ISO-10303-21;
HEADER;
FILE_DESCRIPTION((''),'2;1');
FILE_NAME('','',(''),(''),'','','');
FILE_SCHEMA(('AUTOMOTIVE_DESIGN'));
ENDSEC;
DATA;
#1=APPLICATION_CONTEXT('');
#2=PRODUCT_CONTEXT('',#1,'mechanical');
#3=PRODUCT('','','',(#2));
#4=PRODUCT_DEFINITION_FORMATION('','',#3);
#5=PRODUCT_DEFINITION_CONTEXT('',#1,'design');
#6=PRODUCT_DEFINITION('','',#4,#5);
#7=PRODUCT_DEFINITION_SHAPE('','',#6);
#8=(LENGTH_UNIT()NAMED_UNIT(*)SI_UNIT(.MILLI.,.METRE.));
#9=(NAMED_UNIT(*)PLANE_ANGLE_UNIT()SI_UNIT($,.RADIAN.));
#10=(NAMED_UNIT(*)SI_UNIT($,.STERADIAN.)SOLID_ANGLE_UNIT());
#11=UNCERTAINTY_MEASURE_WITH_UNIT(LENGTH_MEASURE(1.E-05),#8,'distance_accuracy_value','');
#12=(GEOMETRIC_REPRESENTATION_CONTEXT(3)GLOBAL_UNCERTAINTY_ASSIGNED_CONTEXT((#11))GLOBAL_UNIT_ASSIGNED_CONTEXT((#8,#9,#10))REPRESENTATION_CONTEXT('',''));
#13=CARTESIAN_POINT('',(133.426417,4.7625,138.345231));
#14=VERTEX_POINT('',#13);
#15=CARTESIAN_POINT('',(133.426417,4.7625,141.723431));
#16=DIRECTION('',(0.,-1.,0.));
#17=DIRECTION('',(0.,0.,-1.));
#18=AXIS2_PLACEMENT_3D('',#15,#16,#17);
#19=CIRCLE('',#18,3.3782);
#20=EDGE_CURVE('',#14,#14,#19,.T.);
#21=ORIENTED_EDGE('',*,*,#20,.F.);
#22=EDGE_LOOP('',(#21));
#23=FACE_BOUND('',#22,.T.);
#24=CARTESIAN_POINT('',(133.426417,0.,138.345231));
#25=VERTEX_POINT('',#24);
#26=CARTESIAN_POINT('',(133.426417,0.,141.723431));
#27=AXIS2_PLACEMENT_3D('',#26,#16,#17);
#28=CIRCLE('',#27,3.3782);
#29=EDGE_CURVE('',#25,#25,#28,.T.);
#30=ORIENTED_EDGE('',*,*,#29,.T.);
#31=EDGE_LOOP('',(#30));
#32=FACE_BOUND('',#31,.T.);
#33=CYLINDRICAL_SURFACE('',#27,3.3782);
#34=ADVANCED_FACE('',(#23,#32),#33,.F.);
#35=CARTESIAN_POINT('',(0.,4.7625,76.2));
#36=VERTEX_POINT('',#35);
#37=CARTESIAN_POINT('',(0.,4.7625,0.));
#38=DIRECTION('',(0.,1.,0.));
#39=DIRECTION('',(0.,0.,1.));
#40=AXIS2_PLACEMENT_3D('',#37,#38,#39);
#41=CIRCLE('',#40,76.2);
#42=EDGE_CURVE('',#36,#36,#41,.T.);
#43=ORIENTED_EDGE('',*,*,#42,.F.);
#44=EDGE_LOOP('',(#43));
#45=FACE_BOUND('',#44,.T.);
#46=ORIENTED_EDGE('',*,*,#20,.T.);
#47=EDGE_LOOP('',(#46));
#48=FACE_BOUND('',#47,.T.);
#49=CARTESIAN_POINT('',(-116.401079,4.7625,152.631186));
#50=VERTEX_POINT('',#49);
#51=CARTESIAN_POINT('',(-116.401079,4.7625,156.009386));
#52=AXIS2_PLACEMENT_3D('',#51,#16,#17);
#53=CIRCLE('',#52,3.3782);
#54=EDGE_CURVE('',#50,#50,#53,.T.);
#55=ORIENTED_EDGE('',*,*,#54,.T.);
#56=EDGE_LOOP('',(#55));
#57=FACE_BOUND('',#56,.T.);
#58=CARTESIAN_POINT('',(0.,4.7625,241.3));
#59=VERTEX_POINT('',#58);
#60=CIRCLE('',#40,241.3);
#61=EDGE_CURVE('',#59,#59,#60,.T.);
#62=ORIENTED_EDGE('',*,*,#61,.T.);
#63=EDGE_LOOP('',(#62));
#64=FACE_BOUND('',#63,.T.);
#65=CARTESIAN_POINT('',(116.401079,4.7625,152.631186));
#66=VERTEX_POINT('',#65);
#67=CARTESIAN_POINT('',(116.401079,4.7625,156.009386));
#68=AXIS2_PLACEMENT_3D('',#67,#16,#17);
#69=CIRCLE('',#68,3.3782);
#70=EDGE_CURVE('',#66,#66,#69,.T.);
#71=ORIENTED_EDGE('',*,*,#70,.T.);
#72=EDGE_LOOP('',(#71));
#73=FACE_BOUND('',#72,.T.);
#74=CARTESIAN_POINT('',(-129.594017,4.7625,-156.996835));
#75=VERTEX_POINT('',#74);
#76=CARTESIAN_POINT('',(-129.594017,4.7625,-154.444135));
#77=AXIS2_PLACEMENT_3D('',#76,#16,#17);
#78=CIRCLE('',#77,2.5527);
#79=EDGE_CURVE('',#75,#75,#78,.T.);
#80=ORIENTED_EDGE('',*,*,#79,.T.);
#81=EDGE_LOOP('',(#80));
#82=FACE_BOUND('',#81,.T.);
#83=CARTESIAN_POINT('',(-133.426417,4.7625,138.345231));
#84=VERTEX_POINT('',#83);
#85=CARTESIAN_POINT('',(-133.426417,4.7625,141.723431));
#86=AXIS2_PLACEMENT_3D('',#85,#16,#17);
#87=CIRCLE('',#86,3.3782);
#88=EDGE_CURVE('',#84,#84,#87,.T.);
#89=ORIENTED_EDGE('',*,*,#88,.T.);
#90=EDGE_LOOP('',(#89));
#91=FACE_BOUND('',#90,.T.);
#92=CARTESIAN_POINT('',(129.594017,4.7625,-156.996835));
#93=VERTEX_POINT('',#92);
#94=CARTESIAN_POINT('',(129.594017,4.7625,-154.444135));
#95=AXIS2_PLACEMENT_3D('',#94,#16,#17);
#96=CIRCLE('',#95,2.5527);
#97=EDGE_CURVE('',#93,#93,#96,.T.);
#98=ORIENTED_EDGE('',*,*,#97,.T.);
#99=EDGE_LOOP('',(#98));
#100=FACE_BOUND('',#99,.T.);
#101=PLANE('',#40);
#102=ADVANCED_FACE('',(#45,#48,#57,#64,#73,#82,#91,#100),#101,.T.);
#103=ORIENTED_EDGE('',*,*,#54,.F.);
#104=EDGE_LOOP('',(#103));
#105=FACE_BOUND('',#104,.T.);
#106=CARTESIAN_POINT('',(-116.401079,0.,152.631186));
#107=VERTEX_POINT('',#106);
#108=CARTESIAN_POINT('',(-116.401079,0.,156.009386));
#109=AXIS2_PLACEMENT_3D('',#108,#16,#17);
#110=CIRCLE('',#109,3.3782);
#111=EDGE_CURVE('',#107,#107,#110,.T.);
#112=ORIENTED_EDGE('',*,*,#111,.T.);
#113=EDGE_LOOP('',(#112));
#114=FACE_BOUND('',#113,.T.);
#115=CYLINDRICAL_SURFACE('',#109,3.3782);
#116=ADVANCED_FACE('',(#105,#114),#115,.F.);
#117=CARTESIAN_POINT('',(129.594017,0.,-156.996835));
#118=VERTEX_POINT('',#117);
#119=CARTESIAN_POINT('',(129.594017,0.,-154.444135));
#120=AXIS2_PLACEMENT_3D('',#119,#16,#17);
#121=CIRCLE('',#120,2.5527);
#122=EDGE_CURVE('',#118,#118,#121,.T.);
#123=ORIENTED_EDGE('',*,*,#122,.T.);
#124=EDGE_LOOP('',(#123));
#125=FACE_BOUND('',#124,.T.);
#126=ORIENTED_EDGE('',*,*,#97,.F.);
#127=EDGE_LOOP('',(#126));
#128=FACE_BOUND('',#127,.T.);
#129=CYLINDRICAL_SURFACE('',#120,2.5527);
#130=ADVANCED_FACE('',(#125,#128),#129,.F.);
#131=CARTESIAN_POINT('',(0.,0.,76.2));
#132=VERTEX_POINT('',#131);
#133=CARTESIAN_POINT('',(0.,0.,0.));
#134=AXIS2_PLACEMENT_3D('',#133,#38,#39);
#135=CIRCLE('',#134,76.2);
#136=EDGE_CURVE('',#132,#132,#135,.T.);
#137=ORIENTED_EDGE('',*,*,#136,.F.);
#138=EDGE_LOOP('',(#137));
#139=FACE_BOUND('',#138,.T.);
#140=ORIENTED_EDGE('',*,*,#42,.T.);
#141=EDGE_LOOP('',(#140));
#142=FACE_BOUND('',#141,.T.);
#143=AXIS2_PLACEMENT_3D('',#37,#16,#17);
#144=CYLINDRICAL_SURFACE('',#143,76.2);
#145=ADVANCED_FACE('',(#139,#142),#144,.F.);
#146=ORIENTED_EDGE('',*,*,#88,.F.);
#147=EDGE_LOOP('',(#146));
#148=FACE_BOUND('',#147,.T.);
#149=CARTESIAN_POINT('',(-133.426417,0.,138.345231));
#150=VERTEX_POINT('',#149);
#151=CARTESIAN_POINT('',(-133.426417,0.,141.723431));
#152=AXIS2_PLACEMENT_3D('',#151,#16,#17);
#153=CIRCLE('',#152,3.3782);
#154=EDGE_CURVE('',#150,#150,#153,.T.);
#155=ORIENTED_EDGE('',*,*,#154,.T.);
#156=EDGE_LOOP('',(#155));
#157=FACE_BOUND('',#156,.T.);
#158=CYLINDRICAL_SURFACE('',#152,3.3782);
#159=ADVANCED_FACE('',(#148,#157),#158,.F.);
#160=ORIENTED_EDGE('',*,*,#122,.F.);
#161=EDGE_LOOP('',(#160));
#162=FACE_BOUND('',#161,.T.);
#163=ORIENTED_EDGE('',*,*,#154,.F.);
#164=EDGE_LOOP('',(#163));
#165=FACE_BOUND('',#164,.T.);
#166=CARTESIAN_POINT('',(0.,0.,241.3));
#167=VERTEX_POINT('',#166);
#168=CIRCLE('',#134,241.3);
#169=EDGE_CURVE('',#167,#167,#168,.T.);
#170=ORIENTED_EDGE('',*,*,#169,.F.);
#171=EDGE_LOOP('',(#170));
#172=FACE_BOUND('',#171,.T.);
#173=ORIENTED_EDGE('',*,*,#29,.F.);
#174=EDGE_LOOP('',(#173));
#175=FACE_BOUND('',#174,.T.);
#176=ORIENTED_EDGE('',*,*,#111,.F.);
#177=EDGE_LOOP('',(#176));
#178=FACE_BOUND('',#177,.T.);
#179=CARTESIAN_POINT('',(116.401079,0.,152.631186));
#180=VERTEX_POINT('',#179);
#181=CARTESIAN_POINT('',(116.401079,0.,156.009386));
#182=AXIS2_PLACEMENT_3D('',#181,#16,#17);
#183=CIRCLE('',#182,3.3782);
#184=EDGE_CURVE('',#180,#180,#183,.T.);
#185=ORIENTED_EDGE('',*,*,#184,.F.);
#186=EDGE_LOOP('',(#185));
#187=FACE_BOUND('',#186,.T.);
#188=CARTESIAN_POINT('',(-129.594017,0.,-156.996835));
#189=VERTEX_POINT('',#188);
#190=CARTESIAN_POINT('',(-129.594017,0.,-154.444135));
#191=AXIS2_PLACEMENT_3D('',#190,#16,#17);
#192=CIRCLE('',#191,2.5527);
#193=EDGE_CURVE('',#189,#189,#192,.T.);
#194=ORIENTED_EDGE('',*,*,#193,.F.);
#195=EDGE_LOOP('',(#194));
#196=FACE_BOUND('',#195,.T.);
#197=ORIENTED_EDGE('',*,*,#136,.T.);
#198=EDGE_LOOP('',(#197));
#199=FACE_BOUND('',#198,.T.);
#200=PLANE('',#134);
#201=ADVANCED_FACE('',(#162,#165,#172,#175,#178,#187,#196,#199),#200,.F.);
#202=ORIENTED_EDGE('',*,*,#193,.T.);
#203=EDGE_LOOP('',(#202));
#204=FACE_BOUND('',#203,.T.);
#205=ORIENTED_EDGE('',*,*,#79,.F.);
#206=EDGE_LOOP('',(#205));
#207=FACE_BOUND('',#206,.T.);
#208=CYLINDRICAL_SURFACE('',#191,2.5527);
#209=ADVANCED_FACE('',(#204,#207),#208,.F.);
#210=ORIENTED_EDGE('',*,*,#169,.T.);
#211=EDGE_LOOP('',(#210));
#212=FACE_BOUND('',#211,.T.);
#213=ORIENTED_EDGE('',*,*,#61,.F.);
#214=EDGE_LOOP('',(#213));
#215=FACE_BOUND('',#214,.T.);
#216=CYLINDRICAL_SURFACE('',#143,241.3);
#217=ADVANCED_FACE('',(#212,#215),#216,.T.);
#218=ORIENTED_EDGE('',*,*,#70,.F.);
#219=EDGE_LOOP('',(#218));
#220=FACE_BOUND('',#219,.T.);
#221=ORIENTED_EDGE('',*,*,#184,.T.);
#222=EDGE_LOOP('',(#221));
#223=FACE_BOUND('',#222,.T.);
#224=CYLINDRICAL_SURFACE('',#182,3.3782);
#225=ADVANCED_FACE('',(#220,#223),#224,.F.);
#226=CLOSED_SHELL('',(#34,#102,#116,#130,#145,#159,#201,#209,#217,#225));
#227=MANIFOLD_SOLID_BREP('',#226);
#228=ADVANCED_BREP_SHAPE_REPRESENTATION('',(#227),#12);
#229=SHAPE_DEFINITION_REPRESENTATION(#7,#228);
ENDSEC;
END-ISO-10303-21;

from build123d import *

# Parameters (mm, degrees)
SKETCH1_R               = 241.3
SKETCH1_R_2             = 76.2
BOSS_EXTRUDE1_DEPTH     = 4.7625
F_1_4_CLEARANCE_HOLE1_D = 6.7564
F_10_CLEARANCE_HOLE1_D  = 5.1054


with BuildPart() as part:
    # Sketch1 → Boss-Extrude1 (new body)
    with BuildSketch(Plane(origin=(0, 0, 0), x_dir=(1, 0, 0), z_dir=(0, 1, 0))):
        Circle(SKETCH1_R)
        Circle(SKETCH1_R_2, mode=Mode.SUBTRACT)
    extrude(amount=BOSS_EXTRUDE1_DEPTH)

    # 1/4 Clearance Hole1 (through all)
    with Locations(Plane(origin=(0, 0, 0), x_dir=(-1, 0, 0), z_dir=(0, -1, 0))):
        with Locations((133.426417095, -141.723430894), (-133.426417095, -141.723430894), (-116.401079347, -156.009385519), (116.401079347, -156.009385519)):
            Hole(F_1_4_CLEARANCE_HOLE1_D / 2)

    # #10 Clearance Hole1 (through all)
    with Locations(Plane(origin=(0, 0, 0), x_dir=(-1, 0, 0), z_dir=(0, -1, 0))):
        with Locations((-129.594016958, 154.444135288), (129.594016958, 154.444135288)):
            Hole(F_10_CLEARANCE_HOLE1_D / 2)


solid = part.part
